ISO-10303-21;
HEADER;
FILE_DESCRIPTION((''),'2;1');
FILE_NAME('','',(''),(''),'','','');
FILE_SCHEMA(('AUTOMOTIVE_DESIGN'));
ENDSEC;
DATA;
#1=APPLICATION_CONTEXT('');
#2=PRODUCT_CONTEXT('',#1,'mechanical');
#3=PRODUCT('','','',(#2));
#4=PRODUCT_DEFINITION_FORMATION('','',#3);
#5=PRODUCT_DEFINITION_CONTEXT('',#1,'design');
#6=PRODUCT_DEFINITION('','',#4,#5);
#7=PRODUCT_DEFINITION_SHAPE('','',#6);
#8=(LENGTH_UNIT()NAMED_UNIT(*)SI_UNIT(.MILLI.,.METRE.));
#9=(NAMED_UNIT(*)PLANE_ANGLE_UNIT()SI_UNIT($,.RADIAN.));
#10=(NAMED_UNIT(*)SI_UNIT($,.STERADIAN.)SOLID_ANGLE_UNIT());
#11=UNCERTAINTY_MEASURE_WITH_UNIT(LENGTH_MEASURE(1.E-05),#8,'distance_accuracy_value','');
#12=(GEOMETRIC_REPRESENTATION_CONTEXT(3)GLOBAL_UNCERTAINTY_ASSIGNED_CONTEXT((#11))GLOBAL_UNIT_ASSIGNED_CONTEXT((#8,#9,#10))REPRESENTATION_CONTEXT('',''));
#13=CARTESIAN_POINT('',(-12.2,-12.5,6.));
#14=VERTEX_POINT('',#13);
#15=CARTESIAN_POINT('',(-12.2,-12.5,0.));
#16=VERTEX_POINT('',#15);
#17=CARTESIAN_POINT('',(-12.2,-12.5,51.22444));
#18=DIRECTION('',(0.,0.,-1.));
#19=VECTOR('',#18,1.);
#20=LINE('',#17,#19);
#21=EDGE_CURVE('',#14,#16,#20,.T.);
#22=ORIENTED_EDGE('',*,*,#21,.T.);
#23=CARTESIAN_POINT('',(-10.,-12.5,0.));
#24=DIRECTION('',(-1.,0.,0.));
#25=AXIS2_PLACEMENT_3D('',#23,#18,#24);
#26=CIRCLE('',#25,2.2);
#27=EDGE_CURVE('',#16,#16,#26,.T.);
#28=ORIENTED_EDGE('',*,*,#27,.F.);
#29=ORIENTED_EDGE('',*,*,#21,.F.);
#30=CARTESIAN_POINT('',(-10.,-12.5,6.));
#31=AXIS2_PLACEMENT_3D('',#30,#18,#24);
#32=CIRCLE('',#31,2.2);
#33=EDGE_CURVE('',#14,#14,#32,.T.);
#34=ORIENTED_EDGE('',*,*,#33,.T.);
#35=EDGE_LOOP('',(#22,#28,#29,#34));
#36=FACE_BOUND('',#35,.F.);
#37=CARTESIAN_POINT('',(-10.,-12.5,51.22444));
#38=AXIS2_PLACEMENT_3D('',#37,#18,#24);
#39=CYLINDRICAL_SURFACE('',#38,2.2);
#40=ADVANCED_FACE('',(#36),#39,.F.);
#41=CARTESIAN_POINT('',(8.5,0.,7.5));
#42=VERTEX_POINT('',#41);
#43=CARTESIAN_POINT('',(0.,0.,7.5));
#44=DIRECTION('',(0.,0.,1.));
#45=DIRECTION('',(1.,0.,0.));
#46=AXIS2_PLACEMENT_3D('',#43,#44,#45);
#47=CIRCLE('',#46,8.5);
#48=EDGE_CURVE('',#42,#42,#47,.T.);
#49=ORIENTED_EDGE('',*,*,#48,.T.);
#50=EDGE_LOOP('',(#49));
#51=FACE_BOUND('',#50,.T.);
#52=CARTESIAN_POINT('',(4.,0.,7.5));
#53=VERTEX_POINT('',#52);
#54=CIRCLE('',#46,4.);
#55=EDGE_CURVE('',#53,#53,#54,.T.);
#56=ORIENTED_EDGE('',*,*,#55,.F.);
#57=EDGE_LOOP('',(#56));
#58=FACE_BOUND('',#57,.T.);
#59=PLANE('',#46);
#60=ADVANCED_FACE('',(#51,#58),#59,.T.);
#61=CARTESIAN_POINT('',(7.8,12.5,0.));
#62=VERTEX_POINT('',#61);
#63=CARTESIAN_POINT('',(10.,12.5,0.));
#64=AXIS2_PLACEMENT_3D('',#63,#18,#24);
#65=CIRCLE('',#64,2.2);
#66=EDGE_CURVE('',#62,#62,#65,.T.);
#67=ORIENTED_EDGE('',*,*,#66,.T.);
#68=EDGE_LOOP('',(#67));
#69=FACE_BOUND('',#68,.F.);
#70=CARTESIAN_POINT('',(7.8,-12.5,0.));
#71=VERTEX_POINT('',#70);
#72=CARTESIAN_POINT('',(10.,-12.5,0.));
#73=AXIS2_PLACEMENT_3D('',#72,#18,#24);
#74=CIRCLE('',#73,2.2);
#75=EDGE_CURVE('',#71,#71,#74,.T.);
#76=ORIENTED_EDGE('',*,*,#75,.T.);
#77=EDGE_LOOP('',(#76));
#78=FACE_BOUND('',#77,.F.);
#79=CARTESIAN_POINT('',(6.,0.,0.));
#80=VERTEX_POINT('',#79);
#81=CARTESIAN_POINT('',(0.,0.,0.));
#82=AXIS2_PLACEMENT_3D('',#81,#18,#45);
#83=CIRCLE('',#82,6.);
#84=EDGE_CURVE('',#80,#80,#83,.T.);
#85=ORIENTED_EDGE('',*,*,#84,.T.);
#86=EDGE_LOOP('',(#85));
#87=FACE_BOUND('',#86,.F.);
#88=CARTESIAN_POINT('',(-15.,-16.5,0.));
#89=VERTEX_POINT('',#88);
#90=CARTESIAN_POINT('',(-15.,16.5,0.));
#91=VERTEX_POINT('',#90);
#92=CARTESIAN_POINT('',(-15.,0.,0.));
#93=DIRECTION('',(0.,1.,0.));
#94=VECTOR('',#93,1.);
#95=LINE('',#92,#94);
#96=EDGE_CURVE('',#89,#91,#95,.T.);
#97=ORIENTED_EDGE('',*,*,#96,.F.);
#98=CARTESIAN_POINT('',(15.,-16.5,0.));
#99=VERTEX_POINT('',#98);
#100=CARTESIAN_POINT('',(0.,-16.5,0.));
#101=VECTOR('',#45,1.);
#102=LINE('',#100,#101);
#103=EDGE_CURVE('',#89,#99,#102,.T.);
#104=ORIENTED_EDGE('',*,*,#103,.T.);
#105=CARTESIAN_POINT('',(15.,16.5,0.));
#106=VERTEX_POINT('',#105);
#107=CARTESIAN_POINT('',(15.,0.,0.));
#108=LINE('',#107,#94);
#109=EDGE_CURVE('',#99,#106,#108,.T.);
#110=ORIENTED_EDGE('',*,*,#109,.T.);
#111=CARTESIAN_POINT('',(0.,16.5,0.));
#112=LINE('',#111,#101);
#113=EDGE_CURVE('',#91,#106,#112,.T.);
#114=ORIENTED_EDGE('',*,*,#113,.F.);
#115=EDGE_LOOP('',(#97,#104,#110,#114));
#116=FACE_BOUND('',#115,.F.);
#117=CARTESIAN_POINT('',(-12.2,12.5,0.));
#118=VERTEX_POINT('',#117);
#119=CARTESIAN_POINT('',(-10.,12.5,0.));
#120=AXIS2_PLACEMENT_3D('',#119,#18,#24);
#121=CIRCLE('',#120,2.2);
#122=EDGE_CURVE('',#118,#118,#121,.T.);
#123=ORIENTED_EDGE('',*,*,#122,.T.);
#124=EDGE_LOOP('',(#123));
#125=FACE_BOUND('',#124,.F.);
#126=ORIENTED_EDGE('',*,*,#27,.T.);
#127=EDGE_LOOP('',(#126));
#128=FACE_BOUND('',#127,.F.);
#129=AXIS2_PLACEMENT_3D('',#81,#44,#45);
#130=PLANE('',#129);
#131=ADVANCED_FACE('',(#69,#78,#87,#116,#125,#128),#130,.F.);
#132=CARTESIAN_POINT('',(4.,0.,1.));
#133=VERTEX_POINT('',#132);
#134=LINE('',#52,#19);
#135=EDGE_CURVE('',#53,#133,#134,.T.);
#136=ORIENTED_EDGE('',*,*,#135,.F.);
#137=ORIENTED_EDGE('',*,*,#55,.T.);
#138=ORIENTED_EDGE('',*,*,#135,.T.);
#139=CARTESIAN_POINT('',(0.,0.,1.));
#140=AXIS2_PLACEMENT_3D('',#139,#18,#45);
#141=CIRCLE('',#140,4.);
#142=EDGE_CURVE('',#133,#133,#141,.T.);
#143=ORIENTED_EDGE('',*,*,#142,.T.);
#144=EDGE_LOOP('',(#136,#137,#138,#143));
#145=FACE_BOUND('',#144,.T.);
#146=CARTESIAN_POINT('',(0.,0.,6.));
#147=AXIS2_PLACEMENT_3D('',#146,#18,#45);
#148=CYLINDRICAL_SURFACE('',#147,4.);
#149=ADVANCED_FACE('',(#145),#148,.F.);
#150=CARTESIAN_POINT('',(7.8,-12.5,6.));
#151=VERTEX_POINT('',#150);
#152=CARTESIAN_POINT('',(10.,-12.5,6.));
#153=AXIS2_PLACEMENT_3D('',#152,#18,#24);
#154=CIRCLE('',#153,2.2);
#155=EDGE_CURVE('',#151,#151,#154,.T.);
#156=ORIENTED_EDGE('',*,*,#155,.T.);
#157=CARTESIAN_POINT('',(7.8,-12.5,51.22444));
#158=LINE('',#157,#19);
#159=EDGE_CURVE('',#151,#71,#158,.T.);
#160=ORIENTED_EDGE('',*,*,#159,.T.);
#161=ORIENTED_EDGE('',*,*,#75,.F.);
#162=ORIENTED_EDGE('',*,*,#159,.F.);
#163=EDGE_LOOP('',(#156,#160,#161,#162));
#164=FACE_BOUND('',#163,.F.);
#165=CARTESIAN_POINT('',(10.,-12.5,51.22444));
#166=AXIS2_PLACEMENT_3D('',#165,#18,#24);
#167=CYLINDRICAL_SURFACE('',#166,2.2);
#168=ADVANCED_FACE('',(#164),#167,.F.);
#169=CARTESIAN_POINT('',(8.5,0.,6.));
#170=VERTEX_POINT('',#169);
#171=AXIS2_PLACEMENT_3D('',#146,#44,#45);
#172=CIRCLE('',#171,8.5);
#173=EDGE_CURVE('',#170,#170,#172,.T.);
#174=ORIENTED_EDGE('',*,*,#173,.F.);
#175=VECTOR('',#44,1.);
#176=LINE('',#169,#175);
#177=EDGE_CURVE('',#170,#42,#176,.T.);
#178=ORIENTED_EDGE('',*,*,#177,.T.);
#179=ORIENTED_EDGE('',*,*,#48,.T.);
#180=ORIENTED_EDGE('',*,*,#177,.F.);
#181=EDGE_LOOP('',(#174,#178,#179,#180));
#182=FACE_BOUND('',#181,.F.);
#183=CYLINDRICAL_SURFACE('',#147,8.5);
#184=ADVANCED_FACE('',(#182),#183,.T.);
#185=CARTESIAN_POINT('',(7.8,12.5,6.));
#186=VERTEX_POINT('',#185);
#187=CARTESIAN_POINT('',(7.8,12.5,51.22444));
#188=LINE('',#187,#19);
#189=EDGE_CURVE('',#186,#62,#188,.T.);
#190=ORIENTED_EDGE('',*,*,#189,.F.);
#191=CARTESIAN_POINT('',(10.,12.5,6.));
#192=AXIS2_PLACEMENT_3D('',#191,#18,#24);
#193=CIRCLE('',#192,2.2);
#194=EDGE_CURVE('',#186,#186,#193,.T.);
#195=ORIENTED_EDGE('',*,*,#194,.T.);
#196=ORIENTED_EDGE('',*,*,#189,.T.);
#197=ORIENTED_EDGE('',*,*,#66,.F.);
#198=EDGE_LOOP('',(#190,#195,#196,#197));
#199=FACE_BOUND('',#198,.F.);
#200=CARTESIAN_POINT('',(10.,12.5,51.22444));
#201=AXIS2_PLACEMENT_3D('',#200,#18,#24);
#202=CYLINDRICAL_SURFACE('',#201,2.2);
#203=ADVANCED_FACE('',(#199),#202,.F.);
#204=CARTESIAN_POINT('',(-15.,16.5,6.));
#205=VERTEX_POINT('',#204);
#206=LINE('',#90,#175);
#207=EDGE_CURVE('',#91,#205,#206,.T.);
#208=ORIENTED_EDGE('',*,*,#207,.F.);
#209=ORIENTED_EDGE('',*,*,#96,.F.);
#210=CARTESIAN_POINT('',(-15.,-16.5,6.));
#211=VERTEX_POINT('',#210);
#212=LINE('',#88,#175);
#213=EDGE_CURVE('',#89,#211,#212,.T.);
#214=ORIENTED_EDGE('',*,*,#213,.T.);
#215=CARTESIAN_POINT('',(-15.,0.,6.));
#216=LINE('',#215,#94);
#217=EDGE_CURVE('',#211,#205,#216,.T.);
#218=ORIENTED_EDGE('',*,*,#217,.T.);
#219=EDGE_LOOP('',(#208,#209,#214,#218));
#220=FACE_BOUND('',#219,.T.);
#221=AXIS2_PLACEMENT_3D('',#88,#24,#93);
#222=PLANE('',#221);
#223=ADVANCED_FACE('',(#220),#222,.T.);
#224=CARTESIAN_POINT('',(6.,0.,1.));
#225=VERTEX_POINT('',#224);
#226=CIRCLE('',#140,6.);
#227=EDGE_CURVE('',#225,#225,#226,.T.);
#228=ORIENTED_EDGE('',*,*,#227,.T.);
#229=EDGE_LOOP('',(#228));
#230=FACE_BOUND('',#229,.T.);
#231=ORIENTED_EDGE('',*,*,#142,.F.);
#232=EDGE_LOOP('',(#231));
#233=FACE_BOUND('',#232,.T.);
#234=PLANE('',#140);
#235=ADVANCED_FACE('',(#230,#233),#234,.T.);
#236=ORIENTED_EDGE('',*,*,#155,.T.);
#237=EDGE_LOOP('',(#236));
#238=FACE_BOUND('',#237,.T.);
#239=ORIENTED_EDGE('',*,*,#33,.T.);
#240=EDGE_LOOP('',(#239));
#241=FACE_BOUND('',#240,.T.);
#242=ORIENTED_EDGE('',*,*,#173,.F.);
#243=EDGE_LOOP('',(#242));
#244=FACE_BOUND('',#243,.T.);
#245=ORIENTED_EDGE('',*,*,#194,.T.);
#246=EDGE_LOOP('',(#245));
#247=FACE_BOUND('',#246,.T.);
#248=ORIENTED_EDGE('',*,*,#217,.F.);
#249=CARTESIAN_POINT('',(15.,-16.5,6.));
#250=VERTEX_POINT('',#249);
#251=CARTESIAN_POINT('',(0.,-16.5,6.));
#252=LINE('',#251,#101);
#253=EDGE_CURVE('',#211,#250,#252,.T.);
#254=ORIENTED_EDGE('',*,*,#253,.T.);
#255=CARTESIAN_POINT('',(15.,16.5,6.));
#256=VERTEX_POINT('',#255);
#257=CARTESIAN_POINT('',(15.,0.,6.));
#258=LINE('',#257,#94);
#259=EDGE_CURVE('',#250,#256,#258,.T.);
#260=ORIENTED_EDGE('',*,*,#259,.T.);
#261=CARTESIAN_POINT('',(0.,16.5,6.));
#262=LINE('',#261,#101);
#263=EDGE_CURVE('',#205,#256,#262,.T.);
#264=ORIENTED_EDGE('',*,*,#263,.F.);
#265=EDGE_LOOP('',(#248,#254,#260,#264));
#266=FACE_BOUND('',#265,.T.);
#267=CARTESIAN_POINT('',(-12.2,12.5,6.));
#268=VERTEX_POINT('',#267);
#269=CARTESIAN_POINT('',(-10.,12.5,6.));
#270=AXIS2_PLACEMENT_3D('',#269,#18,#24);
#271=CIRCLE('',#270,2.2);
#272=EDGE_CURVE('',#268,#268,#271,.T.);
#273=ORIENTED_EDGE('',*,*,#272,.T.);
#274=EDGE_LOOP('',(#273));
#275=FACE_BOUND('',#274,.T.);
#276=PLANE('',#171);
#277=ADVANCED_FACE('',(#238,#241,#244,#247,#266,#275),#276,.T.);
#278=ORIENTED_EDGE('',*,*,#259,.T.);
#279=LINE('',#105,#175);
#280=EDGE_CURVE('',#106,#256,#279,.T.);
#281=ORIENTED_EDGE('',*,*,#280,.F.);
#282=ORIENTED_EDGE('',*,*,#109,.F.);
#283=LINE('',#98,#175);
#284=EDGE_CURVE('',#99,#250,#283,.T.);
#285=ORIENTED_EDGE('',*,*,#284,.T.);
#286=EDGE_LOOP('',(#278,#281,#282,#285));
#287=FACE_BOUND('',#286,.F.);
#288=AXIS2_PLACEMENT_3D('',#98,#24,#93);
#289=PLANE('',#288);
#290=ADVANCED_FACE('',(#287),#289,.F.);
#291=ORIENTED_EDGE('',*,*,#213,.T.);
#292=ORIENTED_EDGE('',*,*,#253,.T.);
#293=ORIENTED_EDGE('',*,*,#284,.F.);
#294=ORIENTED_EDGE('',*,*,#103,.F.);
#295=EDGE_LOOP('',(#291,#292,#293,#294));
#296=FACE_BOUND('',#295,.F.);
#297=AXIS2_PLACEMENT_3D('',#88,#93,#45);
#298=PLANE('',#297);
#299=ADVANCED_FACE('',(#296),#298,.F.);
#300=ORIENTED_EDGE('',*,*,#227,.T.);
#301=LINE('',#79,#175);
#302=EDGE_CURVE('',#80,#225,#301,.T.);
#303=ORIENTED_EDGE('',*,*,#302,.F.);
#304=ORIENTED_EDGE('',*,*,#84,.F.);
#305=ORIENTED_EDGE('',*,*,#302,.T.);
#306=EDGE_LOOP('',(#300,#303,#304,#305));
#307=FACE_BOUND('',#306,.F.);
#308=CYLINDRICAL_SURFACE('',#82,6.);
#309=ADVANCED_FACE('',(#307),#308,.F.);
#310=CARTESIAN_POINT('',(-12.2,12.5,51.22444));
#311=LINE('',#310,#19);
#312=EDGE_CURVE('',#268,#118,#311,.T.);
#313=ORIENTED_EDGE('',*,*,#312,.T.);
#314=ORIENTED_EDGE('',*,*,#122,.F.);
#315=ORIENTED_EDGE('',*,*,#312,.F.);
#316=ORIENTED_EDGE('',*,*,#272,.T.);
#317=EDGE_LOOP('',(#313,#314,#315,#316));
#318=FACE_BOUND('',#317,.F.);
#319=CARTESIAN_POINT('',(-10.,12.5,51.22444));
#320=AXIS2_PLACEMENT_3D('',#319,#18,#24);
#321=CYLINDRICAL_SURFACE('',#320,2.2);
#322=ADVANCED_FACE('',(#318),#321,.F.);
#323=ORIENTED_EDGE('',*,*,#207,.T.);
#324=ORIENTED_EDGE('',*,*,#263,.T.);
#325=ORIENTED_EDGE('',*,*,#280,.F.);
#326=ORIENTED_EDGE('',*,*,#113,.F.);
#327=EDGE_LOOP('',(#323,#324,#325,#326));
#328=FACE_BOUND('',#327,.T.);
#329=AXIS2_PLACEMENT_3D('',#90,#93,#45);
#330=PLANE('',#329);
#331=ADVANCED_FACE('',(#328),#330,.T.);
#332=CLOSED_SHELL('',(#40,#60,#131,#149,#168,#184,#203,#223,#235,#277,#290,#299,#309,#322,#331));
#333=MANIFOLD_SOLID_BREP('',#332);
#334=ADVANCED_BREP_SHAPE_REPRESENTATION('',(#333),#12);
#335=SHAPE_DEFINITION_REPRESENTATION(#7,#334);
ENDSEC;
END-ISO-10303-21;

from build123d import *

# Parameters (mm, degrees)
F0_W     = 30
F0_H     = 33
F0_R     = 4
F1_DEPTH = 6
F2_R     = 8.5
F2_R_2   = 4
F3_DEPTH = 1.5
F4_R     = 6
F4_R_2   = 4
F5_DEPTH = 1
F7_D     = 4.4


with BuildPart() as f1:
    # F0 (on Top) → F1 (new body)
    with BuildSketch(Plane.XY):
        Rectangle(F0_W, F0_H)
        Circle(F0_R, mode=Mode.SUBTRACT)
    extrude(amount=F1_DEPTH)

    # F2 (on face) → F3 (join)
    with BuildSketch(Plane.XY.offset(6)):
        Circle(F2_R)
        Circle(F2_R_2, mode=Mode.SUBTRACT)
    extrude(amount=F3_DEPTH)

    # F4 (on face) → F5 (cut)
    with BuildSketch(Plane(origin=(0, 0, 0), x_dir=(1, 0, 0), z_dir=(0, 0, -1))):
        Circle(F4_R)
        Circle(F4_R_2, mode=Mode.SUBTRACT)
    extrude(amount=-F5_DEPTH, mode=Mode.SUBTRACT)

    # F7 (through all)
    with Locations(Plane.XY.offset(6)):
        with Locations((-10, 12.5), (10, 12.5), (10, -12.5), (-10, -12.5)):
            Hole(F7_D / 2)


solid = f1.part
